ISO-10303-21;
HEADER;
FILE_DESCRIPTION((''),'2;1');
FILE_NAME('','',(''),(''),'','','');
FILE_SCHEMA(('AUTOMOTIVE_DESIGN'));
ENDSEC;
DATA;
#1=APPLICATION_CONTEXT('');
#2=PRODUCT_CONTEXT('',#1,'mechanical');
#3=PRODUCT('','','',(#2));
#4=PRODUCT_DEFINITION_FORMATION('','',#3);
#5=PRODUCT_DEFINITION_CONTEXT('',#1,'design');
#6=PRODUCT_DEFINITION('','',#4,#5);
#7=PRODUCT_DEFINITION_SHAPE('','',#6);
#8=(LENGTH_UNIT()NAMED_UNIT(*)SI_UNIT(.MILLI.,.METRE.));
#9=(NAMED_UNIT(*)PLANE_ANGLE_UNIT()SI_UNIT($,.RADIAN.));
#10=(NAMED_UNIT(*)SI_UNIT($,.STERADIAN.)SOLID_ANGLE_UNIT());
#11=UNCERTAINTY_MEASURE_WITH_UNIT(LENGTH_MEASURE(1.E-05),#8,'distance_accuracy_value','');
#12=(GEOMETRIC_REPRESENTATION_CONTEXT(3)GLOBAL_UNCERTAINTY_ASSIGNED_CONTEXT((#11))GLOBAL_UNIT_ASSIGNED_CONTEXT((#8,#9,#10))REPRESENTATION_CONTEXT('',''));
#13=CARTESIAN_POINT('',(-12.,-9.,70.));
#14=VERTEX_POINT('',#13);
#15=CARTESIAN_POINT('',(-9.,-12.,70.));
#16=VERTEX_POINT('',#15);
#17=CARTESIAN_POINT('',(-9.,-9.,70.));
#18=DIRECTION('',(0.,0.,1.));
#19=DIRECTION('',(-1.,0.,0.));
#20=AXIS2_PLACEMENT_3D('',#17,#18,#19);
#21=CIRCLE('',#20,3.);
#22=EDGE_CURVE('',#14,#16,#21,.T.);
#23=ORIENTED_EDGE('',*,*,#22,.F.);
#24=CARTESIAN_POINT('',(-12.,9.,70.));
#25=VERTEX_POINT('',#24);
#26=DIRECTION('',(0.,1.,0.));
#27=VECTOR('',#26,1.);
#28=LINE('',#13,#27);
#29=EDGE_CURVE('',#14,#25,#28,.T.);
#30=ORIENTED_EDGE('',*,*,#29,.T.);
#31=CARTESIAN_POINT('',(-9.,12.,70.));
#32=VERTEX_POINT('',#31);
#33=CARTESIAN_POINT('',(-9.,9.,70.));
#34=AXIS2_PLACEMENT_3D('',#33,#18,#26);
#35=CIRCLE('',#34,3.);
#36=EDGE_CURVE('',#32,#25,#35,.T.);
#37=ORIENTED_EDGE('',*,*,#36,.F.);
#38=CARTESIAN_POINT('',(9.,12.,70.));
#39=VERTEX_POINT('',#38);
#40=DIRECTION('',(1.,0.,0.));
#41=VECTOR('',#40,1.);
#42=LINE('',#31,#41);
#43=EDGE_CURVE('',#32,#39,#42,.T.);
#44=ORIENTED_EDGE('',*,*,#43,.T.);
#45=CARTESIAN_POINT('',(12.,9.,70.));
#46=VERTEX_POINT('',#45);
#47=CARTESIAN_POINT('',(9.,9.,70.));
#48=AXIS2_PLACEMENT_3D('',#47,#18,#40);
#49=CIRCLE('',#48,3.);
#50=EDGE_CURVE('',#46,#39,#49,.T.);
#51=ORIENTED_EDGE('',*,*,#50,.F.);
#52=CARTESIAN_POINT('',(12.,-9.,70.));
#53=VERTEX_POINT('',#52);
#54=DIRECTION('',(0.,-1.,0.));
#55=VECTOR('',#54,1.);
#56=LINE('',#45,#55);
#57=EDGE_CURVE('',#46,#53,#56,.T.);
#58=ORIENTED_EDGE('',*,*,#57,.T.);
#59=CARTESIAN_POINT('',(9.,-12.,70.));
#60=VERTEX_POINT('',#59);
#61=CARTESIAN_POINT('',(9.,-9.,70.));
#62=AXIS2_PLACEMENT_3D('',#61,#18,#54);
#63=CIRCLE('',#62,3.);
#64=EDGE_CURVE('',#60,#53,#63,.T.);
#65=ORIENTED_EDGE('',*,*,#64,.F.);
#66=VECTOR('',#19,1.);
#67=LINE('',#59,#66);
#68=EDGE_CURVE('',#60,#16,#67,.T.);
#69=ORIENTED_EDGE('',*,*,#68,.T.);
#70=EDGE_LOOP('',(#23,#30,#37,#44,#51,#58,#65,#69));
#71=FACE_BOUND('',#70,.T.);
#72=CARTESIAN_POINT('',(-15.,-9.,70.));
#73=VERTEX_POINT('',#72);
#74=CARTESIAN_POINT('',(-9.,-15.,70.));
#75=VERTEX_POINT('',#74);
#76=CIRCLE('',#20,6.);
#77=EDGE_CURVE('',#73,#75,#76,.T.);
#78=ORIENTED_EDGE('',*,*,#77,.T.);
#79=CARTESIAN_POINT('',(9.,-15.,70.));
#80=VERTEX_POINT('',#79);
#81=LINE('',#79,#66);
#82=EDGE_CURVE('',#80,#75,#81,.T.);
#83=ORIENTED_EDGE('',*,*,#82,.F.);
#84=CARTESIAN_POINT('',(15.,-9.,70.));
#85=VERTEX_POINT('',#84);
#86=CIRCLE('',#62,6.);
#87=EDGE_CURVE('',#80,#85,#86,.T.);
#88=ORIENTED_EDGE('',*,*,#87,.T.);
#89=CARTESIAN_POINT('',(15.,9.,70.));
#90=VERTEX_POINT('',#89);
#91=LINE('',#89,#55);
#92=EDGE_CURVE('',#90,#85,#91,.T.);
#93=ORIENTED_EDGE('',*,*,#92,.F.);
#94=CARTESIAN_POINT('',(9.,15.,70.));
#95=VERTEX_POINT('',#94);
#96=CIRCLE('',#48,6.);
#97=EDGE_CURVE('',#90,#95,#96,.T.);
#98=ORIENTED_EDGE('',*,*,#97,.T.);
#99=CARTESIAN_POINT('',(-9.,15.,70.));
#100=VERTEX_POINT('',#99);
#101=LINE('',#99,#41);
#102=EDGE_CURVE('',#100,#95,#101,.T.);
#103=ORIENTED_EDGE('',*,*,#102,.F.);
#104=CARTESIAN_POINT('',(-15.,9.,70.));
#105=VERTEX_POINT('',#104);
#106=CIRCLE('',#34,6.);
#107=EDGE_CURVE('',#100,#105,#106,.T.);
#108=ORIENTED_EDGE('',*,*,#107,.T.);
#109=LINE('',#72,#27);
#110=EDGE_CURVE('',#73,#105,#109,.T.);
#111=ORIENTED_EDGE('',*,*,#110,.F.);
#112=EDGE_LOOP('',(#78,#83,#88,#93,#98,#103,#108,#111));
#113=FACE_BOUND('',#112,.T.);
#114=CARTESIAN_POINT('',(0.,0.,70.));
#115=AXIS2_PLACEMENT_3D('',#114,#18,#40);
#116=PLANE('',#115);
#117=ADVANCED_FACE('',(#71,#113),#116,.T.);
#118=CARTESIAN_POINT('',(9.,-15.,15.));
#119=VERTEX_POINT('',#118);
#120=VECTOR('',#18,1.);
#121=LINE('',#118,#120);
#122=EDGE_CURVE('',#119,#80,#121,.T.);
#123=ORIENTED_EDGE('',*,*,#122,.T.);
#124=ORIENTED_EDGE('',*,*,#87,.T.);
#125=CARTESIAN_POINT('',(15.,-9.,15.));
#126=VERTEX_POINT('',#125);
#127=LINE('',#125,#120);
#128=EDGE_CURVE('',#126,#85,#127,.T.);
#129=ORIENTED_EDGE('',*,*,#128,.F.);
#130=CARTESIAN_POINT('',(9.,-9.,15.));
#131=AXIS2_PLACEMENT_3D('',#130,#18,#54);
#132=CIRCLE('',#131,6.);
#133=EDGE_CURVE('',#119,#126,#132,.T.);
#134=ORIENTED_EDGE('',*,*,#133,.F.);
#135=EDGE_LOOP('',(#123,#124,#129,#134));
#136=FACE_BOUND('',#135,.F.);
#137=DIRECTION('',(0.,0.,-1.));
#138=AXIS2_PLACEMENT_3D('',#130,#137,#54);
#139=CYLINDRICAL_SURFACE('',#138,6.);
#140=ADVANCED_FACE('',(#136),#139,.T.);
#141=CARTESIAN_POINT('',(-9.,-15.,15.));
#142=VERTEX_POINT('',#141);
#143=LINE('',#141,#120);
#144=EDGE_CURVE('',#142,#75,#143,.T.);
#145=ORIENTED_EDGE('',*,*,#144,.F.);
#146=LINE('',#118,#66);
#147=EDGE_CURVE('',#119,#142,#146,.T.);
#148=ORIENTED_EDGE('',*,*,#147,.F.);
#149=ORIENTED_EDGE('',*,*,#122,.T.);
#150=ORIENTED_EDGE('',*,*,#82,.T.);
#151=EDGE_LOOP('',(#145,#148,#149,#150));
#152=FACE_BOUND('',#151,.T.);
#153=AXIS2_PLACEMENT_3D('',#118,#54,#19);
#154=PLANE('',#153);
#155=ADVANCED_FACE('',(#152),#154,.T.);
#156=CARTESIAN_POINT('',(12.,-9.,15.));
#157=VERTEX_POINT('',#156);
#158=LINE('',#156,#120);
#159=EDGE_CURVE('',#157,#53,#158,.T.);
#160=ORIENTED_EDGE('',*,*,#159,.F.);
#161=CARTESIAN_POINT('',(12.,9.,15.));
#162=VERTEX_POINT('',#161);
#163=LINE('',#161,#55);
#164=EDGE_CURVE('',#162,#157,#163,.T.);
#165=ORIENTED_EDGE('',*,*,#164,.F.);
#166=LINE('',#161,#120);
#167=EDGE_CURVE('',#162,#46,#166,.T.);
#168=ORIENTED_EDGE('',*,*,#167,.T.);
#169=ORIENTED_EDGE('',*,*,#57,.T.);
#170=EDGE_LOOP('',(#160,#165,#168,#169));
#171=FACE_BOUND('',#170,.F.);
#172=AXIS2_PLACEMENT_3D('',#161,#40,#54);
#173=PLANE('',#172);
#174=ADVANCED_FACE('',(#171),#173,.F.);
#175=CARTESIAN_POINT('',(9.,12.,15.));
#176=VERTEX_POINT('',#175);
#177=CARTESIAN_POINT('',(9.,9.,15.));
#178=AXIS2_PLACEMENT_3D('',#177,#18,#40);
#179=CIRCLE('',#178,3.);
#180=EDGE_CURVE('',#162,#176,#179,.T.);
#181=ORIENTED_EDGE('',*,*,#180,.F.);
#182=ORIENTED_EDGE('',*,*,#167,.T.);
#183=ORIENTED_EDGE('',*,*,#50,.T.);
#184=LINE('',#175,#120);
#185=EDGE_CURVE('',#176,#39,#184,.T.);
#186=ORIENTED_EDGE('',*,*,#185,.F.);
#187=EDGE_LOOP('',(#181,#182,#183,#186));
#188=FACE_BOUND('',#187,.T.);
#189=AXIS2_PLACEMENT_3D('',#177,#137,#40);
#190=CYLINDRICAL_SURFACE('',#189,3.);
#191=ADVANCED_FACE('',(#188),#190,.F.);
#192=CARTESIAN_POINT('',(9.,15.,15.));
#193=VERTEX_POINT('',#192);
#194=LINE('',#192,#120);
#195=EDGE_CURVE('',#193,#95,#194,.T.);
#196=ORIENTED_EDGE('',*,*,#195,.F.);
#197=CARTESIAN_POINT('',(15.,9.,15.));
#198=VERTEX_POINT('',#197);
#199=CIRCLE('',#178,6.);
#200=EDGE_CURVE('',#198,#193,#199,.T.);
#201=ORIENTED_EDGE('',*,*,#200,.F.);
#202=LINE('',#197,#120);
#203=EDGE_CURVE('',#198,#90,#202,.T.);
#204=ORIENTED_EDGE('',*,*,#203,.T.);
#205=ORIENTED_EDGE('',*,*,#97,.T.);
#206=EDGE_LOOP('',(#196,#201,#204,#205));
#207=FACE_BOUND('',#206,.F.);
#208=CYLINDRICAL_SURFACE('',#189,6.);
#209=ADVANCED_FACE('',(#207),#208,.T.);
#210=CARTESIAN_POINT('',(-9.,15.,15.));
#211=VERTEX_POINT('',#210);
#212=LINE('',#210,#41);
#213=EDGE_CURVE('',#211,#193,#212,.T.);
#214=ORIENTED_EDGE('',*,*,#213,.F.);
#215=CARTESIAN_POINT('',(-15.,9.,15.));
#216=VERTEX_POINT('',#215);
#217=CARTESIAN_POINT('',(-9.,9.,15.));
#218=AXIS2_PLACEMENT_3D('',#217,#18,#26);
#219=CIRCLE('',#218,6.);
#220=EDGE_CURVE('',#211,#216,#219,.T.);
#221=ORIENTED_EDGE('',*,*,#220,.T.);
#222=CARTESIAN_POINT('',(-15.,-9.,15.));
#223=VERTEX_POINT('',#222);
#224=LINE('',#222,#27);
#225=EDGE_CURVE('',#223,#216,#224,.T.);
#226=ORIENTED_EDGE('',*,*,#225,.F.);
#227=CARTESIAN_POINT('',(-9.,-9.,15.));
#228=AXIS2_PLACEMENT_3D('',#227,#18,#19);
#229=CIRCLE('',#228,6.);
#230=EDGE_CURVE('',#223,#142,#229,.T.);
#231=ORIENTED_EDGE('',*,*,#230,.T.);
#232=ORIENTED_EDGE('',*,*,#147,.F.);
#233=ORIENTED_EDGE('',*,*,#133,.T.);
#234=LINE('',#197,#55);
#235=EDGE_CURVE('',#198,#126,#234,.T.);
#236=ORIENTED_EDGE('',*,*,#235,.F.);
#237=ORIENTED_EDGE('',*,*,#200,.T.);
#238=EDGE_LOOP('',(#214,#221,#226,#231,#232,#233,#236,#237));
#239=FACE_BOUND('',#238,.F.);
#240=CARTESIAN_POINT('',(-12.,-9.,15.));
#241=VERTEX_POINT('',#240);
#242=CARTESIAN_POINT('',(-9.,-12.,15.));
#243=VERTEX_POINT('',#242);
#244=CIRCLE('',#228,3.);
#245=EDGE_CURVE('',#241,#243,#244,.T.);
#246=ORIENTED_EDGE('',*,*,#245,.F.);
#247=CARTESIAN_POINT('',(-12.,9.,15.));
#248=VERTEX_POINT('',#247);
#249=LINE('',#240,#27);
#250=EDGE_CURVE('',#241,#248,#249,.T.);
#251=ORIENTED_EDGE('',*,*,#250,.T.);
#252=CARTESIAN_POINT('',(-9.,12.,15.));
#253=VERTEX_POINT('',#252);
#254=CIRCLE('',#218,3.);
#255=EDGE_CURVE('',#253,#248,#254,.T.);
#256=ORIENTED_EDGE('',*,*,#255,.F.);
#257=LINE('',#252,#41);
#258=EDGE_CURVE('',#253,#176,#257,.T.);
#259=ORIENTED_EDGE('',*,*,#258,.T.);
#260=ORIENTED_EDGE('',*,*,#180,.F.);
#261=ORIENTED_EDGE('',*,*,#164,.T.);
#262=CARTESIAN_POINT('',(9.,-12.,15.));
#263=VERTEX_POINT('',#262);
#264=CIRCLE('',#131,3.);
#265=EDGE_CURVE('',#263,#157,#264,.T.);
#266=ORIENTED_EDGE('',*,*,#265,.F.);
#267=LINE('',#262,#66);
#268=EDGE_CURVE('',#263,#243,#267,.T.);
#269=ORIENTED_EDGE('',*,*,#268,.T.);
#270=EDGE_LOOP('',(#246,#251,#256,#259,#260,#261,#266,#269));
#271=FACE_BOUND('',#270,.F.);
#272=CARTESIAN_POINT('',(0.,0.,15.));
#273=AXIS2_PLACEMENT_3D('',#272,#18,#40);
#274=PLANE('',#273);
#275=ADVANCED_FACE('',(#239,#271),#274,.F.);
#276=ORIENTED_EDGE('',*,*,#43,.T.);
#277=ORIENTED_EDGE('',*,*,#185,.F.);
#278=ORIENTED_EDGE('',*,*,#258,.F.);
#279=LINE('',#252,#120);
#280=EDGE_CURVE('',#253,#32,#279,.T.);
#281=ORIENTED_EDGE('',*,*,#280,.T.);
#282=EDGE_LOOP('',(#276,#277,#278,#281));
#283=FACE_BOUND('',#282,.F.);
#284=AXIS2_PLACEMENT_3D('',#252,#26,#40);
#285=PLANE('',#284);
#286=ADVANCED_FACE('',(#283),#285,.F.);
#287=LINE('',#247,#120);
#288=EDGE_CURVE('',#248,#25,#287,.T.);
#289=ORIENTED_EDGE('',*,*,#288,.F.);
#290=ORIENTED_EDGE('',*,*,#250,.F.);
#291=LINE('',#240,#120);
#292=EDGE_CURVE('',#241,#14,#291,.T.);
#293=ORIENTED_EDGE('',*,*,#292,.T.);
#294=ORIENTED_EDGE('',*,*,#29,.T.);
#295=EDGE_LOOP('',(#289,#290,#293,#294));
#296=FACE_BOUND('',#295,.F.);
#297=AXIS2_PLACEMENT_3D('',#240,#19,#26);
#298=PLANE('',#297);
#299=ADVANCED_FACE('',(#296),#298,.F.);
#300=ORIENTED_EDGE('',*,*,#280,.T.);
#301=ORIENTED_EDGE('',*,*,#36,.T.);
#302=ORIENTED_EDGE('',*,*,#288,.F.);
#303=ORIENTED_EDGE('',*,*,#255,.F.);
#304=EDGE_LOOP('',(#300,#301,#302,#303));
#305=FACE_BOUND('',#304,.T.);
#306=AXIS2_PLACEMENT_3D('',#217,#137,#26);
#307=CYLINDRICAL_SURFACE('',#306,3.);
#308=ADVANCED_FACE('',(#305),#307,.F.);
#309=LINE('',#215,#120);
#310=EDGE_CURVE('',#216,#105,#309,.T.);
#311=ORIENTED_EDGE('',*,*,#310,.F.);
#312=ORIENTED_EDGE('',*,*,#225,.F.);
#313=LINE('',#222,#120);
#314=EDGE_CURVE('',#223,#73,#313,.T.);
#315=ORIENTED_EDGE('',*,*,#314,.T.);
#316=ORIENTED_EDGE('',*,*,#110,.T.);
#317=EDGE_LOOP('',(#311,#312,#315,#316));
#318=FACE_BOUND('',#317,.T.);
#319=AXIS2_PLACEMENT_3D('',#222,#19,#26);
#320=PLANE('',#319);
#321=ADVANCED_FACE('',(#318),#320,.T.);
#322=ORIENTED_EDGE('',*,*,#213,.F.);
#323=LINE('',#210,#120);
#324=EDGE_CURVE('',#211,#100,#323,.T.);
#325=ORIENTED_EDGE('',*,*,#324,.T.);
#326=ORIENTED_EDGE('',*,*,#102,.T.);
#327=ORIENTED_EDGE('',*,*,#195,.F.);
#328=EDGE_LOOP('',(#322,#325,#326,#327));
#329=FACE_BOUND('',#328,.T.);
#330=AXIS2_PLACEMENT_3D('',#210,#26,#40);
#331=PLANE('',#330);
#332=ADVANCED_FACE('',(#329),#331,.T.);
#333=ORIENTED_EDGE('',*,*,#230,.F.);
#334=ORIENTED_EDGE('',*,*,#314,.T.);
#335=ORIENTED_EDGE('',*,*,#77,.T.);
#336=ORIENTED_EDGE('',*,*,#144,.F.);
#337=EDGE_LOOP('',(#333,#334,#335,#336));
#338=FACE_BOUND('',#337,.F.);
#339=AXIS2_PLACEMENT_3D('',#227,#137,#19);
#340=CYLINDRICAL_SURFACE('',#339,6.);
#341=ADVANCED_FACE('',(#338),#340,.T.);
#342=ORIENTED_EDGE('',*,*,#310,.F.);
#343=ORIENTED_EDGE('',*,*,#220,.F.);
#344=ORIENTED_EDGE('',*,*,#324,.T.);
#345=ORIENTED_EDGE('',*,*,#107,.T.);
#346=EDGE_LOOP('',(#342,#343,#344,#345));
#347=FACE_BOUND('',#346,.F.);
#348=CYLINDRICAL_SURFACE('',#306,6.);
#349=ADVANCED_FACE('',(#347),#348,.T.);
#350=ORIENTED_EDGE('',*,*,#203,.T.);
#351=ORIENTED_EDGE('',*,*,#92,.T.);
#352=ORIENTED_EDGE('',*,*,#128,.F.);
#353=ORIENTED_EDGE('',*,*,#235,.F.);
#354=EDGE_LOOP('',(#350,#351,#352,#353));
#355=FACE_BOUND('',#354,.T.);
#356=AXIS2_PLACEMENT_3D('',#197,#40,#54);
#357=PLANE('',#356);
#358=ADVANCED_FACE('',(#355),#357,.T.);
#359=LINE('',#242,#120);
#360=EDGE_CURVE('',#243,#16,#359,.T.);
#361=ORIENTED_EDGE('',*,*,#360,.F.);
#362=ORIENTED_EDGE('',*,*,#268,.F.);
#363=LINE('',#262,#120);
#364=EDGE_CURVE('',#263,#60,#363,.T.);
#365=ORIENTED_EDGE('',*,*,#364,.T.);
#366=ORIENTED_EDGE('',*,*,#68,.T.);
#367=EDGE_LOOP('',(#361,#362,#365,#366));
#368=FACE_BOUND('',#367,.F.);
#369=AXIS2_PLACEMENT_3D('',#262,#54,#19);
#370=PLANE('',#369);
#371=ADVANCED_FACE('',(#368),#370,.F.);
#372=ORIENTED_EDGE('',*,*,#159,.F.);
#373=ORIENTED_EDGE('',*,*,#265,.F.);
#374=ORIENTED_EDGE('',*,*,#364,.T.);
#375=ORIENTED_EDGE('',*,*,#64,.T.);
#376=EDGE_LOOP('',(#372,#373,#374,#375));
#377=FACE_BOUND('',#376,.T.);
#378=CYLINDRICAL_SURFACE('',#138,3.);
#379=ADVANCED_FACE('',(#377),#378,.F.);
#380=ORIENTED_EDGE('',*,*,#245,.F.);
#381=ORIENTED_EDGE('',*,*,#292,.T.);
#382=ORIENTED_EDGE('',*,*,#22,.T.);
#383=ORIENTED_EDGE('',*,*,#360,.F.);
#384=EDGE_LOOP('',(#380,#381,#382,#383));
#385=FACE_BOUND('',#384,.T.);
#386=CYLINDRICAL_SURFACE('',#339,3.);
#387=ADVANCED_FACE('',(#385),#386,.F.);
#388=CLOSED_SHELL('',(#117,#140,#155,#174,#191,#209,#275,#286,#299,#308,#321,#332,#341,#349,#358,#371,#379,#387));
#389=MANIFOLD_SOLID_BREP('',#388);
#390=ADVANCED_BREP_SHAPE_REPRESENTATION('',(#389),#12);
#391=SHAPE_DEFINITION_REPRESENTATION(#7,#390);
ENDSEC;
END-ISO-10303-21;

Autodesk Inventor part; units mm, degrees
ref_plane "Start Plane" through (0, 0, 15) normal (0, 0, 1) x (1, 0, 0)
ref_plane "End Plane" through (0, 0, 70) normal (0, 0, 1) x (1, 0, 0)
sketch "Sketch" plane through (0, 0, 0) normal (0, 0, 1) x (1, 0, 0)
  line L0 (-15, -9) -> (-15, 9)
  line L1 (-9, 15) -> (9, 15)
  line L2 (15, 9) -> (15, -9)
  line L3 (9, -15) -> (-9, -15)
  arc A0 (-15, -9) -> (-9, -15) centre (-9, -9) ccw
  arc A1 (-9, 15) -> (-15, 9) centre (-9, 9) ccw
  arc A2 (15, 9) -> (9, 15) centre (9, 9) ccw
  arc A3 (9, -15) -> (15, -9) centre (9, -9) ccw
  arc A4 (-9, 12) -> (-12, 9) centre (-9, 9) ccw
  line L4 (-9, 12) -> (9, 12)
  arc A5 (12, 9) -> (9, 12) centre (9, 9) ccw
  line L5 (12, 9) -> (12, -9)
  arc A6 (9, -12) -> (12, -9) centre (9, -9) ccw
  line L6 (9, -12) -> (-9, -12)
  arc A7 (-12, -9) -> (-9, -12) centre (-9, -9) ccw
  line L7 (-12, -9) -> (-12, 9)
  line L8 (0, 22.7397) -> (0, -22.7397) construction
  line L9 (-22.7397, 0) -> (22.7397, 0) construction
  dimension "d7" = 6
  dimension "d10" = 30
  dimension "d11" = 30
  dimension "d12" = 3
  dimension "d15" = 15
  dimension "d16" = 15
extrude "Body" add sketch "Sketch" along normal up to surface (55 mm away) from surface at 15
sketch "Sketch3" plane through (0, 0, 0) normal (0, 0, 1) x (1, 0, 0)
  line L0 (0, 0) -> (10, 0)
ref_plane "Work Plane3" through (0, 0, 0) normal (0, -1, 0) x (1, 0, 0)
ref_plane "Work Plane4" through (-9, 120, 70) normal (0, 0, 1) x (1, 0, 0)
split "Split1" plane through (-9, 120, 70) removes the side toward (0, 0, 1)
ref_plane "Work Plane5" through (9, -250, 15) normal (0, 0, -1) x (-1, 0, 0)
split "Split2" plane through (9, -250, 15) removes the side toward (0, 0, -1)
sketch "Sketch4" plane through (0, 0, 0) normal (0, -1, 0) x (1, 0, 0)
  line L0 (-2, 15) -> (12, 15) projected
  line L1 (-2, 70) -> (12, 70) projected
  dimension "d18" = 55
equation "\"d7\" = G_IR"
equation "\"d10\" = G_H"
equation "\"d11\" = G_W"
equation "\"d12\" = G_T"
equation "\"d15\" = 0.5 * d10"
equation "\"d16\" = 0.5 * d11"
equation "\"d3\" = G_L"
equation "\"G_W\" = 30"
equation "\"G_H\" = 30"
equation "\"G_T\" = 3"
equation "\"G_IR\" = 6"
equation "\"G_L\" = d18"
equation "\"G_OFFSET_START\" = -15"
equation "\"G_OFFSET_END\" = -14.9972"
equation "\"d13\" = -G_OFFSET_START"
equation "\"B_L\" = 84.9972"
properties part number "DIN EN 10219-2 - 30 x 30 x 3  - 55" material "Steel, Mild"
